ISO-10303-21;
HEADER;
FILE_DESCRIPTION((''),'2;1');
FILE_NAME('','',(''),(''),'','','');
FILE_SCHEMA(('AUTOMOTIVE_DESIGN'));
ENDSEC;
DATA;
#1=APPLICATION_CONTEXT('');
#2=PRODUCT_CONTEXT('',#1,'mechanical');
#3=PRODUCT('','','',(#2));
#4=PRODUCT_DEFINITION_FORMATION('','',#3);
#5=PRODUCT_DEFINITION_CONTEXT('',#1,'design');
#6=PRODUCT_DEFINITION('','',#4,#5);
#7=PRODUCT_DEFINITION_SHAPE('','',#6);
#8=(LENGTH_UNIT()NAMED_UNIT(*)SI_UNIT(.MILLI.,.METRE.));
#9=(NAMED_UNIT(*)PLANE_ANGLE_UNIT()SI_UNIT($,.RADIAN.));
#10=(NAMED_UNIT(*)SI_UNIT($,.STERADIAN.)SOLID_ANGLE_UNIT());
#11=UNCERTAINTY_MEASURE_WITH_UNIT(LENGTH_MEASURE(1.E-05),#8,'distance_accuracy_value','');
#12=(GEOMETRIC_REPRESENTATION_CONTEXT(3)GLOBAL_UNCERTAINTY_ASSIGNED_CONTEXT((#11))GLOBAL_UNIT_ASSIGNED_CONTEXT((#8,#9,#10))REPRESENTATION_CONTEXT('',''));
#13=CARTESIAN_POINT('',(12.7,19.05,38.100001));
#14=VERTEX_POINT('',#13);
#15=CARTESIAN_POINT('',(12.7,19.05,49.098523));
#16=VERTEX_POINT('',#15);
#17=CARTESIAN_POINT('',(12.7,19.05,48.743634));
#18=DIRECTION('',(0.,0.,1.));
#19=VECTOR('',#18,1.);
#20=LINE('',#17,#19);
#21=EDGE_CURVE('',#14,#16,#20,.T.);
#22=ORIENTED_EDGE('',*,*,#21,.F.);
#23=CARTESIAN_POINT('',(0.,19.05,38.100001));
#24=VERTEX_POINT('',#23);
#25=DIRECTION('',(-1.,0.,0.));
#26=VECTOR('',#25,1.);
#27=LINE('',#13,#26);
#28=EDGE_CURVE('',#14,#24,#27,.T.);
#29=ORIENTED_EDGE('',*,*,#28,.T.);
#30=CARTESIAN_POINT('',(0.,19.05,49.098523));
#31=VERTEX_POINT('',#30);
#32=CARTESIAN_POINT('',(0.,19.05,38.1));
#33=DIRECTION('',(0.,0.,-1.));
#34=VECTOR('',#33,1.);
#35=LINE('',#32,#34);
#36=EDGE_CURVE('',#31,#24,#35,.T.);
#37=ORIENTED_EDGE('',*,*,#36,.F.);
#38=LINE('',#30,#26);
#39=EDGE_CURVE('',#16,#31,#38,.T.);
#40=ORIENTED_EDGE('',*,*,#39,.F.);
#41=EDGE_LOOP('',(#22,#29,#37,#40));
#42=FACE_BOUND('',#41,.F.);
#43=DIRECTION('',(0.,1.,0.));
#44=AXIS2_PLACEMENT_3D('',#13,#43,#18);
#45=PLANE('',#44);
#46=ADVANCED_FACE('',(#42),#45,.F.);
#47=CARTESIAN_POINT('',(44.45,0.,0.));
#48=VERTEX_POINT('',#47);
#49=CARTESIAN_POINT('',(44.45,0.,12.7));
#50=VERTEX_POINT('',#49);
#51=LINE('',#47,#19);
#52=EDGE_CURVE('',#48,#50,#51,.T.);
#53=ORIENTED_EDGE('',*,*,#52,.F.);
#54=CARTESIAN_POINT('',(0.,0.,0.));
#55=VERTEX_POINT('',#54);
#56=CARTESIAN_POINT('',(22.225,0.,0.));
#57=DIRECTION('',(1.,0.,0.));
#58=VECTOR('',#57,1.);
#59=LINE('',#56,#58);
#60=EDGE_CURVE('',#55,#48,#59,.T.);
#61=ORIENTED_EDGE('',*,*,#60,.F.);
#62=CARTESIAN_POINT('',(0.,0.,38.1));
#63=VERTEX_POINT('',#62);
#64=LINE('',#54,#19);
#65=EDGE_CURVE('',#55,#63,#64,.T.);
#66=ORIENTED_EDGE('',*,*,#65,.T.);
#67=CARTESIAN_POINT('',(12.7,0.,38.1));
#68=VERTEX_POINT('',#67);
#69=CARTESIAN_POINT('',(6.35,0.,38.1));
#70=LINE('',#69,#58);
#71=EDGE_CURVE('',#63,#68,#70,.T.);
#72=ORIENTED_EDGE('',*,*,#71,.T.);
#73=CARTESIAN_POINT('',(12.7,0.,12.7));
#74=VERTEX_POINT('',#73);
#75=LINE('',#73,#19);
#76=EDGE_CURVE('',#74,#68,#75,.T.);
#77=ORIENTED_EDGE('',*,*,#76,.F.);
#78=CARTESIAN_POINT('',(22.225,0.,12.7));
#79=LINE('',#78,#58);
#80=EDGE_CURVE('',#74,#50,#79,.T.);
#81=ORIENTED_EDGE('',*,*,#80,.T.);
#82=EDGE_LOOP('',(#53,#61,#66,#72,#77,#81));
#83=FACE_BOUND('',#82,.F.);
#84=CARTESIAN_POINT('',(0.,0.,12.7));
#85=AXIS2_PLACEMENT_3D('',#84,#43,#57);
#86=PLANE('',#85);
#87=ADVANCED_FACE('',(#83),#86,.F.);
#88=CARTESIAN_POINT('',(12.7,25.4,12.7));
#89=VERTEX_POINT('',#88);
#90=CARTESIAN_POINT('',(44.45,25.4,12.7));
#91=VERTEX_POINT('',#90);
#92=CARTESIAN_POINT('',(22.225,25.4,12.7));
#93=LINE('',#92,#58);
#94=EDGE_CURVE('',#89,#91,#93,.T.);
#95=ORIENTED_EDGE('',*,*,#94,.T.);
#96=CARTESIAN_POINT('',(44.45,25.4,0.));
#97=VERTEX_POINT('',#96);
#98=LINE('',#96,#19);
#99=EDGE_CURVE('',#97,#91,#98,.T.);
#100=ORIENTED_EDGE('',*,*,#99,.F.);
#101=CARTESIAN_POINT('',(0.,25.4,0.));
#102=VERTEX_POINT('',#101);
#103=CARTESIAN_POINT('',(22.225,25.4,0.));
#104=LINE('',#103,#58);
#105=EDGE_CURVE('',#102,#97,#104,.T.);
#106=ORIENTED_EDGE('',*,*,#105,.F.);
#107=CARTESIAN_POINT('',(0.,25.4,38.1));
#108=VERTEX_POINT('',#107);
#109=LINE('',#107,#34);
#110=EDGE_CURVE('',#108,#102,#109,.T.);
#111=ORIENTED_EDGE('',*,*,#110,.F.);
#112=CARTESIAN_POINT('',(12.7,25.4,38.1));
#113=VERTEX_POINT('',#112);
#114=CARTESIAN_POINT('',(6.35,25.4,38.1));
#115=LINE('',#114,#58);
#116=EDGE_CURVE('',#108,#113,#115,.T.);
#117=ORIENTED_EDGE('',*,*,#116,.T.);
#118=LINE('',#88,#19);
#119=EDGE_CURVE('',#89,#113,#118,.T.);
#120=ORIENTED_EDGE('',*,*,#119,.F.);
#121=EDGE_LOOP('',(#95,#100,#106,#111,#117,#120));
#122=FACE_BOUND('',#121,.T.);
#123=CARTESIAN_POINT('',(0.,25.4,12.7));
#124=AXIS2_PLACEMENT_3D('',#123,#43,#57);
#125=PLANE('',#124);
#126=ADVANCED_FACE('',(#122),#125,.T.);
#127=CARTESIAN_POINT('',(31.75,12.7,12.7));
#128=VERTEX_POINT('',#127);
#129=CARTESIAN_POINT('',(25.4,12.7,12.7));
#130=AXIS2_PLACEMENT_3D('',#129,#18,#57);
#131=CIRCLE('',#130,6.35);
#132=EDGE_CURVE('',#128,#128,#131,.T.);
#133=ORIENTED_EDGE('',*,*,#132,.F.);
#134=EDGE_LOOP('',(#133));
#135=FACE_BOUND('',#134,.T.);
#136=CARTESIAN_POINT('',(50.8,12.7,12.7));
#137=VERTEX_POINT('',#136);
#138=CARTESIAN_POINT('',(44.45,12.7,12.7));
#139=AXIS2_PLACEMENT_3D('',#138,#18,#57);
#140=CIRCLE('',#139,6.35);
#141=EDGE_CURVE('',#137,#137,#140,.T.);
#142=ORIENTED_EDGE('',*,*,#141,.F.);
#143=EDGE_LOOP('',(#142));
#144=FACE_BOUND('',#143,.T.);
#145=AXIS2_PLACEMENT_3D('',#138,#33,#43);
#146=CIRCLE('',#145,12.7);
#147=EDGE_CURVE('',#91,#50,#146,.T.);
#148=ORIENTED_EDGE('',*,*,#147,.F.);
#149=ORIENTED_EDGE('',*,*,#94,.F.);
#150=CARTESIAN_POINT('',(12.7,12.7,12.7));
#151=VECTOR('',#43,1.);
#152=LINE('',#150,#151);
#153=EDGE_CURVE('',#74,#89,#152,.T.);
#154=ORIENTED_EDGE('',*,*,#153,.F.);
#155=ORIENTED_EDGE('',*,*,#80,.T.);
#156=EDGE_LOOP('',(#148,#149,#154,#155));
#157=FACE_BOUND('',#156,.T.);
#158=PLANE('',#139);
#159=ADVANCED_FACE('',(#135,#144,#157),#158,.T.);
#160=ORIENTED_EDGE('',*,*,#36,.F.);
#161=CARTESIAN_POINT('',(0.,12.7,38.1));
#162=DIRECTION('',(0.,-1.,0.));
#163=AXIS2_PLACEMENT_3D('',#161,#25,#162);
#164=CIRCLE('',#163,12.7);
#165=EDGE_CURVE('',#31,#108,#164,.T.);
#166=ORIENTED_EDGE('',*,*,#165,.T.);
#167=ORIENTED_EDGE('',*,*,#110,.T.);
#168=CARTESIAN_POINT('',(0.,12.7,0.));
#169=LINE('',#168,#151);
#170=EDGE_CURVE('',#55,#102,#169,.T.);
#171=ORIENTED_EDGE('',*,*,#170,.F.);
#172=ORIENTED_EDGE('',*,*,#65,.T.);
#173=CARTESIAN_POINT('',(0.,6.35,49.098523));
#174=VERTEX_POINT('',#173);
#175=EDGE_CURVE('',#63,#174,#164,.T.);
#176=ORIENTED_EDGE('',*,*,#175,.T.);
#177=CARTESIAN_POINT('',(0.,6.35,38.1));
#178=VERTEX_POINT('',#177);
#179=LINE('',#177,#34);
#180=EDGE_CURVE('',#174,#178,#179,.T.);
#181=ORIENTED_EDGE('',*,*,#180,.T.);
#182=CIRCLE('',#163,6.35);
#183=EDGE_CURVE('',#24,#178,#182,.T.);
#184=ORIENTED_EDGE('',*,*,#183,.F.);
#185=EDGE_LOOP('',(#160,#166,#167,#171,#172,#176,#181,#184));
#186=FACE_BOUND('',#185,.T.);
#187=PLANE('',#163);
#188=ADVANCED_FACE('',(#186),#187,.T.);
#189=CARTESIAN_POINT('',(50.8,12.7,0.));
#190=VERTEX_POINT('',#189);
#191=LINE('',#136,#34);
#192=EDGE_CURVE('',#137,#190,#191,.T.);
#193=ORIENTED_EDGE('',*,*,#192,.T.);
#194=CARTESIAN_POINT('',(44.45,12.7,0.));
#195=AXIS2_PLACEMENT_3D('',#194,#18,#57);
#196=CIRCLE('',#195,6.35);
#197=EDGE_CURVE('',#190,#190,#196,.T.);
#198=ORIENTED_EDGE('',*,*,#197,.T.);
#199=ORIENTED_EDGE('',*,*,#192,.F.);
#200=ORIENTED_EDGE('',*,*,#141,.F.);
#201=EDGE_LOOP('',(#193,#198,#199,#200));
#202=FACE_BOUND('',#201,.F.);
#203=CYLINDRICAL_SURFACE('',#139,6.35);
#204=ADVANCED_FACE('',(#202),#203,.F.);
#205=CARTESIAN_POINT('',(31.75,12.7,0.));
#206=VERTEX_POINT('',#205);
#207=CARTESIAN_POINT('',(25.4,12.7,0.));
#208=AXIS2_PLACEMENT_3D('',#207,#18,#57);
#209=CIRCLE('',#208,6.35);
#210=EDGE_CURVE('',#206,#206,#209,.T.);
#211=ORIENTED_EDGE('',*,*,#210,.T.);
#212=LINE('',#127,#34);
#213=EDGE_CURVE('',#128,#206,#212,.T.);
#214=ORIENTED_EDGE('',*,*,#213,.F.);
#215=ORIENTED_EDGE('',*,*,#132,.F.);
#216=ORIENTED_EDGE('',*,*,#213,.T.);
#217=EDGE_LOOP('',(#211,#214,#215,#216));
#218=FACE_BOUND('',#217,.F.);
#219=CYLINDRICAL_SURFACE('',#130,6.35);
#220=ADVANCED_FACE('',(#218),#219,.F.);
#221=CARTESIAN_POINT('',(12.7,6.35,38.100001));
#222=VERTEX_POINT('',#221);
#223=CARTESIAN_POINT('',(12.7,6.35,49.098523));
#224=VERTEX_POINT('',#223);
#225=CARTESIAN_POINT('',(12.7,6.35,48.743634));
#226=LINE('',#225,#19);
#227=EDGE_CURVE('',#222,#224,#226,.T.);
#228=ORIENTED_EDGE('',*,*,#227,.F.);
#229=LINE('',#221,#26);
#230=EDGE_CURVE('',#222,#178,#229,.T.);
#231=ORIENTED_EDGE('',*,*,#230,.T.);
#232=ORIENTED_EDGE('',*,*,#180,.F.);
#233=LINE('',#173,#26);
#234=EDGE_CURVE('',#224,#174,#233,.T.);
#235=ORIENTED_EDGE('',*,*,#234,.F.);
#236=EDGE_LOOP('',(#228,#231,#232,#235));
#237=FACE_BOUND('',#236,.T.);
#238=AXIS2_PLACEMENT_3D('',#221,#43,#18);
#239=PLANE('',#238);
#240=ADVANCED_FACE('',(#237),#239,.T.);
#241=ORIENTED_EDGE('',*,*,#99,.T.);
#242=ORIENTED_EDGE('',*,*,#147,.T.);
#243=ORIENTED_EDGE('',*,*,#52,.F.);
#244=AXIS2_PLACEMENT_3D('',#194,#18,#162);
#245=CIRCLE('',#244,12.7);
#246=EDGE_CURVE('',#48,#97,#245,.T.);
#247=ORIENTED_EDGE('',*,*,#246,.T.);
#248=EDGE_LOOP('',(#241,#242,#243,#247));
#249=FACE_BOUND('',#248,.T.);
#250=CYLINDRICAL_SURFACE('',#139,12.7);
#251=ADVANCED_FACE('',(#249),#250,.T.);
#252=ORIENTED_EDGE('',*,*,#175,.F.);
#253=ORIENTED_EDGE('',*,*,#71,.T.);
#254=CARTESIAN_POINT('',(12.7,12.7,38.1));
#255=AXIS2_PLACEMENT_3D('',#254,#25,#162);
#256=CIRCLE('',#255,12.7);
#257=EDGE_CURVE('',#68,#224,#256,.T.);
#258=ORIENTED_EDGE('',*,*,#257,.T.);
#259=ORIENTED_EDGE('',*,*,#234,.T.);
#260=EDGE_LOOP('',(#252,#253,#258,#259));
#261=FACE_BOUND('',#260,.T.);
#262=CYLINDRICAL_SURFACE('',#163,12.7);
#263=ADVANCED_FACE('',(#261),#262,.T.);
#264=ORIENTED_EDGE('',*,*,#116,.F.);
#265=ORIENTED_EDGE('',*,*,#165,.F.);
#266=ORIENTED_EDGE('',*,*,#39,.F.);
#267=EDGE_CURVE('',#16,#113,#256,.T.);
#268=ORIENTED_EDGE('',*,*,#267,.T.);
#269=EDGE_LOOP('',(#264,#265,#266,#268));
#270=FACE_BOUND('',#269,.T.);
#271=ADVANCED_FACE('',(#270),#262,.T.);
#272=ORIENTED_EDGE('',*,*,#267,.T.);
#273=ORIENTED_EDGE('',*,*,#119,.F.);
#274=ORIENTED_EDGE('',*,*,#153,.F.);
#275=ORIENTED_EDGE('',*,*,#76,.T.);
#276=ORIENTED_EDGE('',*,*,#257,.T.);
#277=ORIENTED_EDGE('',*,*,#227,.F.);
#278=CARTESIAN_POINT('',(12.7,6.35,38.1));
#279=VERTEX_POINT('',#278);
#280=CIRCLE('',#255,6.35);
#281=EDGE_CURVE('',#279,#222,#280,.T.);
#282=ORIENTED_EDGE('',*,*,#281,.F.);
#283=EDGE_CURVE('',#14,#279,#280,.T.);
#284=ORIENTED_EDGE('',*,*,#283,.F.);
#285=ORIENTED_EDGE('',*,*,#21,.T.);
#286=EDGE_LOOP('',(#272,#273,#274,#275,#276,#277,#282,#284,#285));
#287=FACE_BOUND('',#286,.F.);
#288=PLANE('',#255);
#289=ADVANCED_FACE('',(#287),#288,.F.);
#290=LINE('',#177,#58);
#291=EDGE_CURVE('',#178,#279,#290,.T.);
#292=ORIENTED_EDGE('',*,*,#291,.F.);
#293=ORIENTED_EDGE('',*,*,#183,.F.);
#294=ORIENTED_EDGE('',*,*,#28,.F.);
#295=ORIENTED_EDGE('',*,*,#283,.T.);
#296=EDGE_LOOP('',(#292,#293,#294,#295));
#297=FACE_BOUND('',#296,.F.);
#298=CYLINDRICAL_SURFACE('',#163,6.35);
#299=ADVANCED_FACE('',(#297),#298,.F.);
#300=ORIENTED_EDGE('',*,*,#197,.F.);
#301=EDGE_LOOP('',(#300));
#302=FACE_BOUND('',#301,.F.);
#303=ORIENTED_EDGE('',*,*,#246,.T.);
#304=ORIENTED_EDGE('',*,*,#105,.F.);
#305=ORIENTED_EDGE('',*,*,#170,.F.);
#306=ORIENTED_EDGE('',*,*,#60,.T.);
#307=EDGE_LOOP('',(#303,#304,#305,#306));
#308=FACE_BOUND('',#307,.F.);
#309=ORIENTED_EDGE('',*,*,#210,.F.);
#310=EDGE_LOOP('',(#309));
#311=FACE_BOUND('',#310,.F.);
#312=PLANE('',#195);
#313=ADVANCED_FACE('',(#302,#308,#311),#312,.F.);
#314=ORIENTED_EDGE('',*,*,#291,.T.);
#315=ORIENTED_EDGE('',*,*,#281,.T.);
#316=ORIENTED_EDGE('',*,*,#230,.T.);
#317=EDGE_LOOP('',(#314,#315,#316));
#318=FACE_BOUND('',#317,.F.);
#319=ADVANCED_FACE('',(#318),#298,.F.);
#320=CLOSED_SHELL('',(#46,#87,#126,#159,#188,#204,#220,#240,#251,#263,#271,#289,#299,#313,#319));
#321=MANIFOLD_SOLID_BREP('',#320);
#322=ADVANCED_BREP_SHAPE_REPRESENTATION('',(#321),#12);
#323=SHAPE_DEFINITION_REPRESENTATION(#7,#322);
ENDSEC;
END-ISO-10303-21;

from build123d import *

# Parameters (mm, degrees)
F0_W      = 44.45
F0_H      = 25.4
F1_DEPTH  = 12.7
F2_R      = 12.7
F3_DEPTH  = 12.7
F4_W      = 12.7
F4_H      = 25.4
F5_DEPTH  = 25.4
F6_R      = 12.7
F7_DEPTH  = 12.7
F8_R      = 6.35
F9_DEPTH  = 12.7
F10_W     = 12.7
F10_H     = 21.287267
F11_DEPTH = 25.4
F12_R     = 6.35
F13_DEPTH = 25.4


with BuildPart() as f1:
    # F0 (on Top) → F1 (new body)
    with BuildSketch(Plane.XY):
        with Locations((22.225, 12.7)):
            Rectangle(F0_W, F0_H)
    extrude(amount=F1_DEPTH)

    # F2 (on face) → F3 (join)
    with BuildSketch(Plane.XY.offset(12.7)):
        with Locations((44.45, 12.7)):
            Circle(F2_R)
    extrude(amount=-F3_DEPTH)

    # F4 (on face) → F5 (join)
    with BuildSketch(Plane.XY.offset(12.7)):
        with Locations((6.35, 12.7)):
            Rectangle(F4_W, F4_H)
    extrude(amount=F5_DEPTH)

    # F6 (on face) → F7 (join)
    with BuildSketch(Plane(origin=(0, 0, 0), x_dir=(0, -1, 0), z_dir=(-1, 0, 0))):
        with Locations((-12.7, 38.1)):
            Circle(F6_R)
    extrude(amount=-F7_DEPTH)

    # F8 (on face) → F9 (cut)
    with BuildSketch(Plane(origin=(0, 0, 0), x_dir=(0, -1, 0), z_dir=(-1, 0, 0))):
        with Locations((-12.7, 38.1)):
            Circle(F8_R)
    extrude(amount=-F9_DEPTH, mode=Mode.SUBTRACT)

    # F10 (on face) → F11 (cut)
    with BuildSketch(Plane.YZ.offset(12.7)):
        with Locations((12.7, 48.743634)):
            Rectangle(F10_W, F10_H)
    extrude(amount=-F11_DEPTH, mode=Mode.SUBTRACT)

    # F12 (on face) → F13 (cut)
    with BuildSketch(Plane.XY.offset(12.7)):
        with Locations((44.45, 12.7)):
            Circle(F12_R)
        with Locations((25.4, 12.7)):
            Circle(F12_R)
    extrude(amount=-F13_DEPTH, mode=Mode.SUBTRACT)


solid = f1.part
